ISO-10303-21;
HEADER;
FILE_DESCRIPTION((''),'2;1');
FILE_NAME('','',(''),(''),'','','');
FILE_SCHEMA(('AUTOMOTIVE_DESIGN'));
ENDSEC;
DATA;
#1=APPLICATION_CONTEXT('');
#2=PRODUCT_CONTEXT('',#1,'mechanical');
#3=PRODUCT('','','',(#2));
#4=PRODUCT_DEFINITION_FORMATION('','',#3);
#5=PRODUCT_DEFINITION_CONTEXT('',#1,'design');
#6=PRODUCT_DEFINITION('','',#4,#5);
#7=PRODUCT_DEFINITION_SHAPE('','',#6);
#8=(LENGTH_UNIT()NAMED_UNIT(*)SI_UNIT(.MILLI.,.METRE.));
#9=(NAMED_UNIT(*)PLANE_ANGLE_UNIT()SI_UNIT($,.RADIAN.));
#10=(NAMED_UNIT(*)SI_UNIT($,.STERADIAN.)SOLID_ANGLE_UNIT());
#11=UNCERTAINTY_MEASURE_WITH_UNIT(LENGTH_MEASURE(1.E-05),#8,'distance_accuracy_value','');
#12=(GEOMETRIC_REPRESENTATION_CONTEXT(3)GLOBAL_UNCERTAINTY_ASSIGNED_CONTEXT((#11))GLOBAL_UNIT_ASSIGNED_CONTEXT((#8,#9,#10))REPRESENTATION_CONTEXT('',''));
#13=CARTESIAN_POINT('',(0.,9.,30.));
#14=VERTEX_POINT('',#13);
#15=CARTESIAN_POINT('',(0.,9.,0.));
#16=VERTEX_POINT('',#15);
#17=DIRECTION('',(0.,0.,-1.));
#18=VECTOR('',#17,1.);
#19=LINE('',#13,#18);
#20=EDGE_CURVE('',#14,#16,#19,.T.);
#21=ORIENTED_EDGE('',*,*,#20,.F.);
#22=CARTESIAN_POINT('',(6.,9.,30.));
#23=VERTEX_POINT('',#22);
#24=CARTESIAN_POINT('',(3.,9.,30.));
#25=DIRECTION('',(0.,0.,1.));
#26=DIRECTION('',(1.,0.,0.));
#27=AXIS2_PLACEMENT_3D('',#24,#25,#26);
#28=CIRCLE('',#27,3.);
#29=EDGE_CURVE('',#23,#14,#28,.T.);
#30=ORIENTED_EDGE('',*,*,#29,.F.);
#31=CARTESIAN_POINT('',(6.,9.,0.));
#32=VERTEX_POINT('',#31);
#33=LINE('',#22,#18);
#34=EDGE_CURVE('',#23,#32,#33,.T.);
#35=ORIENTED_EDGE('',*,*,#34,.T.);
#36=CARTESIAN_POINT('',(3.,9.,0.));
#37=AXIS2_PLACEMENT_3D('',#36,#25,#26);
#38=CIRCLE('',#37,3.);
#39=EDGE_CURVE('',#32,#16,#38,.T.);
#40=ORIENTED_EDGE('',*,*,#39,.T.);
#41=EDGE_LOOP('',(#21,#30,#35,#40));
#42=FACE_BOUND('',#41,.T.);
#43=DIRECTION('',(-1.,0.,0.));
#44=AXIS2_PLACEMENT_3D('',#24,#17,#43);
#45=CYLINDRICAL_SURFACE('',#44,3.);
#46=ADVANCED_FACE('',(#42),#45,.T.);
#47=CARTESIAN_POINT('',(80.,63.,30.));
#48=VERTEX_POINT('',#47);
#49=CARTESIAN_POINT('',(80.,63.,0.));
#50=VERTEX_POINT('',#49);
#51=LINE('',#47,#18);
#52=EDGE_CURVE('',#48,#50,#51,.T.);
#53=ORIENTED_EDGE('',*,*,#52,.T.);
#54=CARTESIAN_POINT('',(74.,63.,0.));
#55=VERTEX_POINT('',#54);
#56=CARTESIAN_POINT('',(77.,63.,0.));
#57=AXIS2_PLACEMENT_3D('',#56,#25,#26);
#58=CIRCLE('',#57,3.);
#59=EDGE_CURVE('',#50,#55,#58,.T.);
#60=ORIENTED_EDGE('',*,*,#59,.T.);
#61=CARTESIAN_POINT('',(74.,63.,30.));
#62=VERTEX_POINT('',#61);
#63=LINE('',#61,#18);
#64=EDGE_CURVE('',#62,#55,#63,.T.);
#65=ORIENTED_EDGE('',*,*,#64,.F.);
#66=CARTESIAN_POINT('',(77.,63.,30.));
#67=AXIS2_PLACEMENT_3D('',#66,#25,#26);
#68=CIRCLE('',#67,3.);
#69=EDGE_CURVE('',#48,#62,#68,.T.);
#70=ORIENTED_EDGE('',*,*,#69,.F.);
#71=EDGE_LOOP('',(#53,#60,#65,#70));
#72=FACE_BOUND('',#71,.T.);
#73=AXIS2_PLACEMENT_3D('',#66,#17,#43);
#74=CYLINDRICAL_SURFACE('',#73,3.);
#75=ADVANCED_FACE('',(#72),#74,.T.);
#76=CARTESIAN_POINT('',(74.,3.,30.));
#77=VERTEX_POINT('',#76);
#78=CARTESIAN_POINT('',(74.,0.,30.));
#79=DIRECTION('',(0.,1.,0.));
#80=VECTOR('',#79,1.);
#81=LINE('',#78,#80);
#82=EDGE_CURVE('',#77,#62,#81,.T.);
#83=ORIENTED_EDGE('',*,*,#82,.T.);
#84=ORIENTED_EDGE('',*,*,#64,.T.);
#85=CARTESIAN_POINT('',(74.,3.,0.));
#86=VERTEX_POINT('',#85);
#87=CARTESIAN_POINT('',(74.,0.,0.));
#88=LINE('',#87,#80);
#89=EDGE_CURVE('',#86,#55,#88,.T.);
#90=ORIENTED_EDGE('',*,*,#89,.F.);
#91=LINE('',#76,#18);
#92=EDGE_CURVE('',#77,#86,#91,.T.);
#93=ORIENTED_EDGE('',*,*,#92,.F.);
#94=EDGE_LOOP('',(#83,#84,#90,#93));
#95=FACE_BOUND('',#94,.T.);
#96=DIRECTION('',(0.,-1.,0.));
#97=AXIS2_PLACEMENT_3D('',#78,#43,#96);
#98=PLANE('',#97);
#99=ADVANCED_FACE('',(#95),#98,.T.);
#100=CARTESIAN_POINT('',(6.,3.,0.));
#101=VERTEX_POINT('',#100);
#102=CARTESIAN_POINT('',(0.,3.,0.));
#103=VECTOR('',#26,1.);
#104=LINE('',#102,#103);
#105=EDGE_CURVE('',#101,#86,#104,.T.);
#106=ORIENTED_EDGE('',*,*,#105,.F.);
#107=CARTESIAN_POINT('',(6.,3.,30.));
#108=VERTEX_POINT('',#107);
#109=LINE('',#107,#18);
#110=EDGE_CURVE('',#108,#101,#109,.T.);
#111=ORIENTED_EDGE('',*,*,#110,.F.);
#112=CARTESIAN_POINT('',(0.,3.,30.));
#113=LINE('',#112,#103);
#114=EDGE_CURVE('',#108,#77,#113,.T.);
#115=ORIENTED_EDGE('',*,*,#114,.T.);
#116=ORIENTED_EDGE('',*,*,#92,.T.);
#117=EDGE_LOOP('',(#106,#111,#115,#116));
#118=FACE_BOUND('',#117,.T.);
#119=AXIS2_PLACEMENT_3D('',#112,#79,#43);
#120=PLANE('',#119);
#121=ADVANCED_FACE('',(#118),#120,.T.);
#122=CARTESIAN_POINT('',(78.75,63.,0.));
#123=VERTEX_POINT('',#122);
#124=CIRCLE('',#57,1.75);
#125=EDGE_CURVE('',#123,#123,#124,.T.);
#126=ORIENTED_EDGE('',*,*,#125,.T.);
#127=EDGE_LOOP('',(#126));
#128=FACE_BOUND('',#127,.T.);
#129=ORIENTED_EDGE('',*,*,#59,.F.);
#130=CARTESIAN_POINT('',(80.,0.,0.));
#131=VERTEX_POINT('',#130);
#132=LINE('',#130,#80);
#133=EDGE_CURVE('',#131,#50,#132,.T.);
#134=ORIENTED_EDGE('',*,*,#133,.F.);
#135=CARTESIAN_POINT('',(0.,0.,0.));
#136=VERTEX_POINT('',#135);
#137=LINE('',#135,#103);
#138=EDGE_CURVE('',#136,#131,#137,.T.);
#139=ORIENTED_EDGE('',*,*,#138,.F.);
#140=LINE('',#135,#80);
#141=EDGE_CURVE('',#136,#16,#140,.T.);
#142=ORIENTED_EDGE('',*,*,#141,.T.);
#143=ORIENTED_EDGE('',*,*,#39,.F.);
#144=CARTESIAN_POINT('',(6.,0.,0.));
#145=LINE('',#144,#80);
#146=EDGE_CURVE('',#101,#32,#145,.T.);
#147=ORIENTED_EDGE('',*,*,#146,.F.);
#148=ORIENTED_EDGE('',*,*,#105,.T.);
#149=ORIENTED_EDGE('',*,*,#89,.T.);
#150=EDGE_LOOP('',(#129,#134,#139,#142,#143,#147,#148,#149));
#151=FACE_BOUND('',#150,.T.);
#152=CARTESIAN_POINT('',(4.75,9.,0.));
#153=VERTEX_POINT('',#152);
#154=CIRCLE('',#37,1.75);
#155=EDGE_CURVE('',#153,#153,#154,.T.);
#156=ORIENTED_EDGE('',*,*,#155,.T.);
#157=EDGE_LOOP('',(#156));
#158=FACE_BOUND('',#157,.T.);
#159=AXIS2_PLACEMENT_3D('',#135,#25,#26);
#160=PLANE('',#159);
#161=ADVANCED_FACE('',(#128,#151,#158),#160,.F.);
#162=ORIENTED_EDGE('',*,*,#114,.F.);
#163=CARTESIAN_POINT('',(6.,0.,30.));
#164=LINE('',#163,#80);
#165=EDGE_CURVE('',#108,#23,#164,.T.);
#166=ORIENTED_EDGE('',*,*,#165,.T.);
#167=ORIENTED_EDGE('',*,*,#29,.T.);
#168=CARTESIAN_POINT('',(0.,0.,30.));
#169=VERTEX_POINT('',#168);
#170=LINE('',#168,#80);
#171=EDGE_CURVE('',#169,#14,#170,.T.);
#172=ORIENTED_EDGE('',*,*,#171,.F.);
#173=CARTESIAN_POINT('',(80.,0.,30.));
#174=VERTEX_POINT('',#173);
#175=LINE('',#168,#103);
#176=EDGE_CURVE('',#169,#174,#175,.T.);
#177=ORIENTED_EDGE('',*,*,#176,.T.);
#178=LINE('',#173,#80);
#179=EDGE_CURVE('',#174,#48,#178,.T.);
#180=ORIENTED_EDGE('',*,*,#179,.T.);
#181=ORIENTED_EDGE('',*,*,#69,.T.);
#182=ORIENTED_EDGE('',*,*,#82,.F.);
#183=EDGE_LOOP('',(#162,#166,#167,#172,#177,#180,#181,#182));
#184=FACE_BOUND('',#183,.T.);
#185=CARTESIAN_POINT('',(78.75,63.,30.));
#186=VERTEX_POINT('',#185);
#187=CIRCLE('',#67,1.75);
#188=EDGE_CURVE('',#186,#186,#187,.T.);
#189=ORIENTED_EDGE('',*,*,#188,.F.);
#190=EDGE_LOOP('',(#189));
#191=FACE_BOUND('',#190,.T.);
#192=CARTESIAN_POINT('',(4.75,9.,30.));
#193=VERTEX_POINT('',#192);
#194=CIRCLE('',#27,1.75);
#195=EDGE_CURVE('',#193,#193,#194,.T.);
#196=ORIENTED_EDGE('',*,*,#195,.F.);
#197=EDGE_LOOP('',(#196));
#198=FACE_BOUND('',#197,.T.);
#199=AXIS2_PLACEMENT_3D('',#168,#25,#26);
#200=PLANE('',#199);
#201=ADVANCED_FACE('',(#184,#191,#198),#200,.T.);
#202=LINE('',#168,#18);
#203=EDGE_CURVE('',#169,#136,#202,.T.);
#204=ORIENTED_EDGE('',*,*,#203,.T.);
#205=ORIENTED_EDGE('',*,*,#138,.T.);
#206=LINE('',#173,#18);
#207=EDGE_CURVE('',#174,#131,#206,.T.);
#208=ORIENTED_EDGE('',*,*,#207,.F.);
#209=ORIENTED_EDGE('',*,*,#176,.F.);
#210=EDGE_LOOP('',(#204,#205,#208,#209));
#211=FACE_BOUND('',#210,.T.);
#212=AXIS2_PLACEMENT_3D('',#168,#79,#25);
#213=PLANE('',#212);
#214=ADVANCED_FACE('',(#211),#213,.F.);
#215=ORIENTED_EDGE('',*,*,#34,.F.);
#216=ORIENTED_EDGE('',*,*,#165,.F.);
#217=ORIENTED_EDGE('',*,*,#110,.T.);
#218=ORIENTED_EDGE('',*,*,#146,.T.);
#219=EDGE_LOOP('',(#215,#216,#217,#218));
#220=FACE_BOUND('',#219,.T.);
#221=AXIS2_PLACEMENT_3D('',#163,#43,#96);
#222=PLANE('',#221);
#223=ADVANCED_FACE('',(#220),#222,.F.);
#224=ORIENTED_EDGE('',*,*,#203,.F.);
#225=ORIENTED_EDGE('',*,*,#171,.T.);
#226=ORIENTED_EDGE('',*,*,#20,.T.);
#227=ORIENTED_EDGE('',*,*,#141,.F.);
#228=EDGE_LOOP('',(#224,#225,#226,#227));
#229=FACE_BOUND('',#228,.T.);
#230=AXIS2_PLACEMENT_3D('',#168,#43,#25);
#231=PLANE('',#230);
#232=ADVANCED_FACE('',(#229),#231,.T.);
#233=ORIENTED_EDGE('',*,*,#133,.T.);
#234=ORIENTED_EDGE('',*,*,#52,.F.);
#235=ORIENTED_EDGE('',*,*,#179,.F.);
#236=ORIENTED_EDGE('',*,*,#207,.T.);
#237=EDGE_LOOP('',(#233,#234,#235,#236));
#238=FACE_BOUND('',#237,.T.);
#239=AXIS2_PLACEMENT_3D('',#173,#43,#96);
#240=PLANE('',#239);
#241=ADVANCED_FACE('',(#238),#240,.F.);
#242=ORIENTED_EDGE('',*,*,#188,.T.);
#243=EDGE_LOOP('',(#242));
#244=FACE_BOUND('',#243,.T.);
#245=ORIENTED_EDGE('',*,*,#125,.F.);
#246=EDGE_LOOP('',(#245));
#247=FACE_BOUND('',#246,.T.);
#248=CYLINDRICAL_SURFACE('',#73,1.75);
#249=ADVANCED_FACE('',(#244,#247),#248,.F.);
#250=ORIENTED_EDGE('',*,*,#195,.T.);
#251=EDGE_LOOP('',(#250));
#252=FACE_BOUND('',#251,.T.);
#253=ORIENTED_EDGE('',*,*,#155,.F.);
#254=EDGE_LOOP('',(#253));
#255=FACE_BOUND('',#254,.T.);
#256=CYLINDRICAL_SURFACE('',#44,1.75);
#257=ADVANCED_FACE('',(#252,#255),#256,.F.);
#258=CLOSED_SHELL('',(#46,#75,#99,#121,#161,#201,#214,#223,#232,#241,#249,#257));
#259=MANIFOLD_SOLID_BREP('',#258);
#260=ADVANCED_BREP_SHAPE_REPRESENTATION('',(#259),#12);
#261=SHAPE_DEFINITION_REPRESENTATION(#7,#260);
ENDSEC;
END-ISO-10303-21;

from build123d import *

# Parameters (mm, degrees)
SKETCH1_W           = 80
SKETCH1_H           = 3
BOSS_EXTRUDE1_DEPTH = 30


with BuildPart() as part:
    # Sketch1 → Boss-Extrude1 (new body)
    with BuildSketch(Plane.XY):
        with BuildLine():
            Line((74, 3), (80, 3))
            Line((80, 3), (80, 63))
            ThreePointArc((80, 63), (77, 60), (74, 63))
            Line((74, 63), (74, 3))
        make_face()
        with BuildLine():
            Line((78.75, 63), (80, 63))
            ThreePointArc((80, 63), (79.557579886, 64.568051379), (78.360809916, 65.673611111))
            Line((78.360809916, 65.673611111), (75.639190084, 65.673611111))
            ThreePointArc((75.639190084, 65.673611111), (74.442420114, 64.568051379), (74, 63))
            Line((74, 63), (75.25, 63))
            ThreePointArc((75.25, 63), (77, 64.75), (78.75, 63))
        make_face()
        with BuildLine():
            ThreePointArc((74, 63), (77, 60), (80, 63))
            Line((80, 63), (78.75, 63))
            ThreePointArc((78.75, 63), (77, 61.25), (75.25, 63))
            Line((75.25, 63), (74, 63))
        make_face()
        with BuildLine():
            Line((75.639190084, 65.673611111), (78.360809916, 65.673611111))
            ThreePointArc((78.360809916, 65.673611111), (77, 66), (75.639190084, 65.673611111))
        make_face()
        with BuildLine():
            ThreePointArc((6, 9), (3, 12), (0, 9))
            Line((0, 9), (1.25, 9))
            ThreePointArc((1.25, 9), (3, 10.75), (4.75, 9))
            Line((4.75, 9), (6, 9))
        make_face()
        with BuildLine():
            Line((1.25, 9), (0, 9))
            ThreePointArc((0, 9), (3, 6), (6, 9))
            Line((6, 9), (4.75, 9))
            ThreePointArc((4.75, 9), (3, 7.25), (1.25, 9))
        make_face()
        with BuildLine():
            Line((0, 9), (0, 3))
            Line((0, 3), (6, 3))
            Line((6, 3), (6, 9))
            ThreePointArc((6, 9), (3, 6), (0, 9))
        make_face()
        with Locations((40, 1.5)):
            Rectangle(SKETCH1_W, SKETCH1_H)
    extrude(amount=BOSS_EXTRUDE1_DEPTH)


solid = part.part
